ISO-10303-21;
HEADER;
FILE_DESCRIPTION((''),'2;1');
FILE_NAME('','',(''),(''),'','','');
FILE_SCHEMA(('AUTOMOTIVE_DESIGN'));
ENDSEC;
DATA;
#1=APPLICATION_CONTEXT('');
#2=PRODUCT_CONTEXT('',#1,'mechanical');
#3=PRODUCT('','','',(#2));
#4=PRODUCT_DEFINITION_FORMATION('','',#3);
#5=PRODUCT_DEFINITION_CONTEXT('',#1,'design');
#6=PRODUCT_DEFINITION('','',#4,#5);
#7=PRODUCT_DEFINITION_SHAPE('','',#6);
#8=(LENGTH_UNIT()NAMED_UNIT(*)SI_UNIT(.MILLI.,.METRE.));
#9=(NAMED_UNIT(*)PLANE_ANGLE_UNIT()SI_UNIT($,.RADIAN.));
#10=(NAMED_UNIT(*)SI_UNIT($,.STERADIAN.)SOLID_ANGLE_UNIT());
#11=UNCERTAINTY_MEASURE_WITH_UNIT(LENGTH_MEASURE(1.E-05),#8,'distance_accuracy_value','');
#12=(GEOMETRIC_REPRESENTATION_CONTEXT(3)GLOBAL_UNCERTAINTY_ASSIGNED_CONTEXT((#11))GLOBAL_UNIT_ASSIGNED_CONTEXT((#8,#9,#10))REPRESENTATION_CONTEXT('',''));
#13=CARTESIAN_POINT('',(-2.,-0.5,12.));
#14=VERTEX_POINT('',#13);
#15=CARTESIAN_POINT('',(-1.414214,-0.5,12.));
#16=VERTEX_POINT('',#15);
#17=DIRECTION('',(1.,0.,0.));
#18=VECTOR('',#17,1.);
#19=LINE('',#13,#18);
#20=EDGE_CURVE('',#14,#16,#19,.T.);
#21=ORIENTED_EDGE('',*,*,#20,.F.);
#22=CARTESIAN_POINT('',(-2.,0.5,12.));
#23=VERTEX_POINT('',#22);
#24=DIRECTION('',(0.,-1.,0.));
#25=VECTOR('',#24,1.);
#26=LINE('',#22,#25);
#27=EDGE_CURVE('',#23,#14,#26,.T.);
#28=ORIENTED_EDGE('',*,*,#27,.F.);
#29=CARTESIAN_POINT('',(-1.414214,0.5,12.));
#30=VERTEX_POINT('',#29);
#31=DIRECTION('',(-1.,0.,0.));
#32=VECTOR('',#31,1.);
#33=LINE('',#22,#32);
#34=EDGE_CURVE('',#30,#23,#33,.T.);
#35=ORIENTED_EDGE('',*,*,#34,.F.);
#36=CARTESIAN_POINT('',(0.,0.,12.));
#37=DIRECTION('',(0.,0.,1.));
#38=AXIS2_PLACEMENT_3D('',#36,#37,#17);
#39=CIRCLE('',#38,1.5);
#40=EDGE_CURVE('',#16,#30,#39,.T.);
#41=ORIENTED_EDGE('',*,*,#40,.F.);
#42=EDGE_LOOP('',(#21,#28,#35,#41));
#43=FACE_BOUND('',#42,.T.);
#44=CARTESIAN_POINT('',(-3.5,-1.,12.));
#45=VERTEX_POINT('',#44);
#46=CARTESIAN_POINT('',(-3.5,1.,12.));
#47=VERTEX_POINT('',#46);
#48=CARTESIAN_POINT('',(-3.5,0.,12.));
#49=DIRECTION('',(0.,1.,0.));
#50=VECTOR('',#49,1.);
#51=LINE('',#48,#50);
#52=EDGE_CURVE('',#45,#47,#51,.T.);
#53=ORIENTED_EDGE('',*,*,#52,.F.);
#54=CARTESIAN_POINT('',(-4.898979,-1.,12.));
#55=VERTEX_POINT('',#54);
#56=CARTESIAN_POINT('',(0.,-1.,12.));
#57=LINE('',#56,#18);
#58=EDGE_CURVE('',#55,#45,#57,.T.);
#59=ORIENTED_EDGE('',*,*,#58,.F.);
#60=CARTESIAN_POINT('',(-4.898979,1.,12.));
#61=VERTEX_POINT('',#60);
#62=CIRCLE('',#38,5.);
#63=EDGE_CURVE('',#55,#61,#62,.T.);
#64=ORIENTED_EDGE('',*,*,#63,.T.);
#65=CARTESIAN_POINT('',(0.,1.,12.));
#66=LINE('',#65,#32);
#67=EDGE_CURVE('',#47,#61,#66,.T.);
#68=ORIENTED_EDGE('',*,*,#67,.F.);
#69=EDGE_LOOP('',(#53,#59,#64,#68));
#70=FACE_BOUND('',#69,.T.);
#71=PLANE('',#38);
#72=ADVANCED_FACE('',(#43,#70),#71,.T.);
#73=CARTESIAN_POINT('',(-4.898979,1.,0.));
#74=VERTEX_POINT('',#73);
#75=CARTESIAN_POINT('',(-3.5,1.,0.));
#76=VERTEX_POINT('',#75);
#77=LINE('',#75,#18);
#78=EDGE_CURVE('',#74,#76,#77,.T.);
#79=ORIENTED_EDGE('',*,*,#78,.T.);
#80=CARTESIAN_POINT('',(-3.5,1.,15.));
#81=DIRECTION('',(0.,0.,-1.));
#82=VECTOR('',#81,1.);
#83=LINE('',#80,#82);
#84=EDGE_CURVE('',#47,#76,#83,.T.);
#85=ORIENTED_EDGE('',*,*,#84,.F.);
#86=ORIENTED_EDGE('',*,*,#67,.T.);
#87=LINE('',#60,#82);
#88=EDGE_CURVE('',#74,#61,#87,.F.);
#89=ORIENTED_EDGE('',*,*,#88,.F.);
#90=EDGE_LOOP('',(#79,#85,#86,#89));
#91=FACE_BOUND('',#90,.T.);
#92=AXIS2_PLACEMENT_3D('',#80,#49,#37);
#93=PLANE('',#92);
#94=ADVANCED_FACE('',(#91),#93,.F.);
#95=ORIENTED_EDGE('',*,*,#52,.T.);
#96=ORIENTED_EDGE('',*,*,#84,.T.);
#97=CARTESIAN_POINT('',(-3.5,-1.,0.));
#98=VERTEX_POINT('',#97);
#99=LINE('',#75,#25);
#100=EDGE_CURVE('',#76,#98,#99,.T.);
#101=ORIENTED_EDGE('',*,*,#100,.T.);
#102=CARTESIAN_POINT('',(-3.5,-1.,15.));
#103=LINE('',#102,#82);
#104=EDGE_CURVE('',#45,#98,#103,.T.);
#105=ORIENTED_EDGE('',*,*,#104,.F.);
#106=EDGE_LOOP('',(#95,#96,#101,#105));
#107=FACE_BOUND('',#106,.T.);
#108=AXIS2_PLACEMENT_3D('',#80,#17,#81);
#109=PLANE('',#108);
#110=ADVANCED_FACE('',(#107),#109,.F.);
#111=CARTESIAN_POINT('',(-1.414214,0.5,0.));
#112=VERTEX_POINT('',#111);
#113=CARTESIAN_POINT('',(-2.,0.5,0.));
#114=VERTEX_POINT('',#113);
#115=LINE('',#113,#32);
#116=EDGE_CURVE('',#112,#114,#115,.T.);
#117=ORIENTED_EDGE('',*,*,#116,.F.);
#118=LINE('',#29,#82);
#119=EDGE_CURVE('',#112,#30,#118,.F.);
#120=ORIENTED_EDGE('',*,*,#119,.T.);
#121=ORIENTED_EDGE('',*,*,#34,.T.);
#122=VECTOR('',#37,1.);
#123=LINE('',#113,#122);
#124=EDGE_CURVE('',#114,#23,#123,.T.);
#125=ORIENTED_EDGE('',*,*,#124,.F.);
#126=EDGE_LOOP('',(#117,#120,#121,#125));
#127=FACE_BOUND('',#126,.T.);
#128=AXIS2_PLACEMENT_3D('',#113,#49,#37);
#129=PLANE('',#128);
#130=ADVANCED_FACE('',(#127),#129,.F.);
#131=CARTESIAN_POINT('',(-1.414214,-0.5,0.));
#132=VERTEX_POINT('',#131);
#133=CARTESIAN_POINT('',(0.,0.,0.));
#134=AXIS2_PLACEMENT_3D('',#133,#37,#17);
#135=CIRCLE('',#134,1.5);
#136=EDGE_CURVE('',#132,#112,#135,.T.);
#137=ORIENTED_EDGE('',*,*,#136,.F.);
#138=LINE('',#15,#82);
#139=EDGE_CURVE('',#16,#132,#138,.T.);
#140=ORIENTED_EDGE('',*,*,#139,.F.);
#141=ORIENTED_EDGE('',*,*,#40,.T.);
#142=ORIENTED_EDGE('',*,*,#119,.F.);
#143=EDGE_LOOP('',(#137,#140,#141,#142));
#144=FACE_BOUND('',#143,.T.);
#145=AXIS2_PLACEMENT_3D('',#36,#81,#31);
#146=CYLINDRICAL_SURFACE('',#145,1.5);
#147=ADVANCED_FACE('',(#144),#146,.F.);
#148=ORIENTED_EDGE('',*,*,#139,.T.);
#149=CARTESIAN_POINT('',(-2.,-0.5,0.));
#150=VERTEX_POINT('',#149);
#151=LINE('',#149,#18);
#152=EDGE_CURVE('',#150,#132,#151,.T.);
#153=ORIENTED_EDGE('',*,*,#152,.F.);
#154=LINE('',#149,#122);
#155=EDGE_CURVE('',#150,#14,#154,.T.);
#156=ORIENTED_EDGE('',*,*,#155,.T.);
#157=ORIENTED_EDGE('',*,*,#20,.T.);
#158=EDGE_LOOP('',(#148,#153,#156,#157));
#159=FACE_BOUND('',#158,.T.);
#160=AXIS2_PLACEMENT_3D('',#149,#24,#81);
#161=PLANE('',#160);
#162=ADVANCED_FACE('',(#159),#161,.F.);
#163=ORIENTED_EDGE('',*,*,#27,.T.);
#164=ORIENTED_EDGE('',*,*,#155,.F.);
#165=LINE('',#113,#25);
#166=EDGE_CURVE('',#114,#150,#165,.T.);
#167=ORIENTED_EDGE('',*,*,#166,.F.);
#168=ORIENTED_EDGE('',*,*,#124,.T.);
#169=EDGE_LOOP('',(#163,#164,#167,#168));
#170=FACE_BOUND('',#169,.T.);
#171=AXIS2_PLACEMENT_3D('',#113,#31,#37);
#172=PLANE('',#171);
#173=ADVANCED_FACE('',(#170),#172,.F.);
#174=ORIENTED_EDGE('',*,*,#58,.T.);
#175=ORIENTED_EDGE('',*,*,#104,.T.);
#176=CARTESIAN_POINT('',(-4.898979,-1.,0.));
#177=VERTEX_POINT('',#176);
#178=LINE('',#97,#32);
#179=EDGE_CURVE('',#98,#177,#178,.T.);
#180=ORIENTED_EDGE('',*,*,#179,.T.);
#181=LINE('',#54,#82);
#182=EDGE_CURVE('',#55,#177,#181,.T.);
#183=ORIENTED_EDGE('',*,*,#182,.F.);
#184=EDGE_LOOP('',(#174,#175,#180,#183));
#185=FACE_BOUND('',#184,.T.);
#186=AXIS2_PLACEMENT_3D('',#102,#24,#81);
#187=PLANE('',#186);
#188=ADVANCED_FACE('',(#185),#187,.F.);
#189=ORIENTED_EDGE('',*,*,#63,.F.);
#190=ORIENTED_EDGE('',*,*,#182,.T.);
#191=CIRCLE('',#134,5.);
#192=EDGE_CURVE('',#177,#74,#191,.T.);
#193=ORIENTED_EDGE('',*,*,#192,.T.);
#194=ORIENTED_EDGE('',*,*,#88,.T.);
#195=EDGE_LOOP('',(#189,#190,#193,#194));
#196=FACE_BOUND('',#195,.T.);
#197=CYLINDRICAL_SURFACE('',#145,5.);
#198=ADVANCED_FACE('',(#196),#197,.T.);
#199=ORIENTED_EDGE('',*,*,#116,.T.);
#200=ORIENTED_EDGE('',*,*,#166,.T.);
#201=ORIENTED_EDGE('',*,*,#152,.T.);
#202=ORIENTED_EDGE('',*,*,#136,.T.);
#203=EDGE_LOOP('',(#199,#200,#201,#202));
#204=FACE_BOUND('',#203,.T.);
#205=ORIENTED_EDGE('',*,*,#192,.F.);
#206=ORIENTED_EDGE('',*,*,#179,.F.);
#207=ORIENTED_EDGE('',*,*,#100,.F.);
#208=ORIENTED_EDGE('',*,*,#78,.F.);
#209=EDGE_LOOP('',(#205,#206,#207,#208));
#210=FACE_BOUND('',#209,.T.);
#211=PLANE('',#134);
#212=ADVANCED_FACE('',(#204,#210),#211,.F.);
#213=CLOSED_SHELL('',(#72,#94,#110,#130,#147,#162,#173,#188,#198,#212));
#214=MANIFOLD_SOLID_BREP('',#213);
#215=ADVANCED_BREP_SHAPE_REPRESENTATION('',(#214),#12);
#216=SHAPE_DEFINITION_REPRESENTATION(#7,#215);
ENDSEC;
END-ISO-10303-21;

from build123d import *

# Parameters (mm, degrees)
SKETCH5_R           = 5
SKETCH5_R_2         = 1.5
BOSS_EXTRUDE2_DEPTH = 12
SKETCH6_W           = 1
SKETCH6_H           = 1
CUT_EXTRUDE4_DEPTH  = 12
SKETCH7_W           = 1
SKETCH7_H           = 1
CUT_EXTRUDE6_DEPTH  = 4
SKETCH8_W           = 3
SKETCH8_H           = 2
CUT_EXTRUDE7_DEPTH  = 15


with BuildPart() as part:
    # Sketch5 → Boss-Extrude2 (new body)
    with BuildSketch(Plane.XY):
        Circle(SKETCH5_R)
        Circle(SKETCH5_R_2, mode=Mode.SUBTRACT)
    extrude(amount=BOSS_EXTRUDE2_DEPTH)

    # Sketch6 → Cut-Extrude4 (cut)
    with BuildSketch(Plane.XY.offset(12)):
        with Locations((-1.5, 0)):
            Rectangle(SKETCH6_W, SKETCH6_H)
    extrude(amount=-CUT_EXTRUDE4_DEPTH, mode=Mode.SUBTRACT)

    # Sketch7 → Cut-Extrude6 (cut)
    with BuildSketch(Plane.XY.offset(12)):
        with Locations((-5, 0)):
            Rectangle(SKETCH7_W, SKETCH7_H)
    extrude(amount=-CUT_EXTRUDE6_DEPTH, mode=Mode.SUBTRACT)

    # Sketch8 → Cut-Extrude7 (cut)
    with BuildSketch(Plane(origin=(0, 0, 0), x_dir=(-1, 0, 0), z_dir=(0, 0, -1))):
        with Locations((5, 0)):
            Rectangle(SKETCH8_W, SKETCH8_H)
    extrude(amount=-CUT_EXTRUDE7_DEPTH, mode=Mode.SUBTRACT)


solid = part.part
